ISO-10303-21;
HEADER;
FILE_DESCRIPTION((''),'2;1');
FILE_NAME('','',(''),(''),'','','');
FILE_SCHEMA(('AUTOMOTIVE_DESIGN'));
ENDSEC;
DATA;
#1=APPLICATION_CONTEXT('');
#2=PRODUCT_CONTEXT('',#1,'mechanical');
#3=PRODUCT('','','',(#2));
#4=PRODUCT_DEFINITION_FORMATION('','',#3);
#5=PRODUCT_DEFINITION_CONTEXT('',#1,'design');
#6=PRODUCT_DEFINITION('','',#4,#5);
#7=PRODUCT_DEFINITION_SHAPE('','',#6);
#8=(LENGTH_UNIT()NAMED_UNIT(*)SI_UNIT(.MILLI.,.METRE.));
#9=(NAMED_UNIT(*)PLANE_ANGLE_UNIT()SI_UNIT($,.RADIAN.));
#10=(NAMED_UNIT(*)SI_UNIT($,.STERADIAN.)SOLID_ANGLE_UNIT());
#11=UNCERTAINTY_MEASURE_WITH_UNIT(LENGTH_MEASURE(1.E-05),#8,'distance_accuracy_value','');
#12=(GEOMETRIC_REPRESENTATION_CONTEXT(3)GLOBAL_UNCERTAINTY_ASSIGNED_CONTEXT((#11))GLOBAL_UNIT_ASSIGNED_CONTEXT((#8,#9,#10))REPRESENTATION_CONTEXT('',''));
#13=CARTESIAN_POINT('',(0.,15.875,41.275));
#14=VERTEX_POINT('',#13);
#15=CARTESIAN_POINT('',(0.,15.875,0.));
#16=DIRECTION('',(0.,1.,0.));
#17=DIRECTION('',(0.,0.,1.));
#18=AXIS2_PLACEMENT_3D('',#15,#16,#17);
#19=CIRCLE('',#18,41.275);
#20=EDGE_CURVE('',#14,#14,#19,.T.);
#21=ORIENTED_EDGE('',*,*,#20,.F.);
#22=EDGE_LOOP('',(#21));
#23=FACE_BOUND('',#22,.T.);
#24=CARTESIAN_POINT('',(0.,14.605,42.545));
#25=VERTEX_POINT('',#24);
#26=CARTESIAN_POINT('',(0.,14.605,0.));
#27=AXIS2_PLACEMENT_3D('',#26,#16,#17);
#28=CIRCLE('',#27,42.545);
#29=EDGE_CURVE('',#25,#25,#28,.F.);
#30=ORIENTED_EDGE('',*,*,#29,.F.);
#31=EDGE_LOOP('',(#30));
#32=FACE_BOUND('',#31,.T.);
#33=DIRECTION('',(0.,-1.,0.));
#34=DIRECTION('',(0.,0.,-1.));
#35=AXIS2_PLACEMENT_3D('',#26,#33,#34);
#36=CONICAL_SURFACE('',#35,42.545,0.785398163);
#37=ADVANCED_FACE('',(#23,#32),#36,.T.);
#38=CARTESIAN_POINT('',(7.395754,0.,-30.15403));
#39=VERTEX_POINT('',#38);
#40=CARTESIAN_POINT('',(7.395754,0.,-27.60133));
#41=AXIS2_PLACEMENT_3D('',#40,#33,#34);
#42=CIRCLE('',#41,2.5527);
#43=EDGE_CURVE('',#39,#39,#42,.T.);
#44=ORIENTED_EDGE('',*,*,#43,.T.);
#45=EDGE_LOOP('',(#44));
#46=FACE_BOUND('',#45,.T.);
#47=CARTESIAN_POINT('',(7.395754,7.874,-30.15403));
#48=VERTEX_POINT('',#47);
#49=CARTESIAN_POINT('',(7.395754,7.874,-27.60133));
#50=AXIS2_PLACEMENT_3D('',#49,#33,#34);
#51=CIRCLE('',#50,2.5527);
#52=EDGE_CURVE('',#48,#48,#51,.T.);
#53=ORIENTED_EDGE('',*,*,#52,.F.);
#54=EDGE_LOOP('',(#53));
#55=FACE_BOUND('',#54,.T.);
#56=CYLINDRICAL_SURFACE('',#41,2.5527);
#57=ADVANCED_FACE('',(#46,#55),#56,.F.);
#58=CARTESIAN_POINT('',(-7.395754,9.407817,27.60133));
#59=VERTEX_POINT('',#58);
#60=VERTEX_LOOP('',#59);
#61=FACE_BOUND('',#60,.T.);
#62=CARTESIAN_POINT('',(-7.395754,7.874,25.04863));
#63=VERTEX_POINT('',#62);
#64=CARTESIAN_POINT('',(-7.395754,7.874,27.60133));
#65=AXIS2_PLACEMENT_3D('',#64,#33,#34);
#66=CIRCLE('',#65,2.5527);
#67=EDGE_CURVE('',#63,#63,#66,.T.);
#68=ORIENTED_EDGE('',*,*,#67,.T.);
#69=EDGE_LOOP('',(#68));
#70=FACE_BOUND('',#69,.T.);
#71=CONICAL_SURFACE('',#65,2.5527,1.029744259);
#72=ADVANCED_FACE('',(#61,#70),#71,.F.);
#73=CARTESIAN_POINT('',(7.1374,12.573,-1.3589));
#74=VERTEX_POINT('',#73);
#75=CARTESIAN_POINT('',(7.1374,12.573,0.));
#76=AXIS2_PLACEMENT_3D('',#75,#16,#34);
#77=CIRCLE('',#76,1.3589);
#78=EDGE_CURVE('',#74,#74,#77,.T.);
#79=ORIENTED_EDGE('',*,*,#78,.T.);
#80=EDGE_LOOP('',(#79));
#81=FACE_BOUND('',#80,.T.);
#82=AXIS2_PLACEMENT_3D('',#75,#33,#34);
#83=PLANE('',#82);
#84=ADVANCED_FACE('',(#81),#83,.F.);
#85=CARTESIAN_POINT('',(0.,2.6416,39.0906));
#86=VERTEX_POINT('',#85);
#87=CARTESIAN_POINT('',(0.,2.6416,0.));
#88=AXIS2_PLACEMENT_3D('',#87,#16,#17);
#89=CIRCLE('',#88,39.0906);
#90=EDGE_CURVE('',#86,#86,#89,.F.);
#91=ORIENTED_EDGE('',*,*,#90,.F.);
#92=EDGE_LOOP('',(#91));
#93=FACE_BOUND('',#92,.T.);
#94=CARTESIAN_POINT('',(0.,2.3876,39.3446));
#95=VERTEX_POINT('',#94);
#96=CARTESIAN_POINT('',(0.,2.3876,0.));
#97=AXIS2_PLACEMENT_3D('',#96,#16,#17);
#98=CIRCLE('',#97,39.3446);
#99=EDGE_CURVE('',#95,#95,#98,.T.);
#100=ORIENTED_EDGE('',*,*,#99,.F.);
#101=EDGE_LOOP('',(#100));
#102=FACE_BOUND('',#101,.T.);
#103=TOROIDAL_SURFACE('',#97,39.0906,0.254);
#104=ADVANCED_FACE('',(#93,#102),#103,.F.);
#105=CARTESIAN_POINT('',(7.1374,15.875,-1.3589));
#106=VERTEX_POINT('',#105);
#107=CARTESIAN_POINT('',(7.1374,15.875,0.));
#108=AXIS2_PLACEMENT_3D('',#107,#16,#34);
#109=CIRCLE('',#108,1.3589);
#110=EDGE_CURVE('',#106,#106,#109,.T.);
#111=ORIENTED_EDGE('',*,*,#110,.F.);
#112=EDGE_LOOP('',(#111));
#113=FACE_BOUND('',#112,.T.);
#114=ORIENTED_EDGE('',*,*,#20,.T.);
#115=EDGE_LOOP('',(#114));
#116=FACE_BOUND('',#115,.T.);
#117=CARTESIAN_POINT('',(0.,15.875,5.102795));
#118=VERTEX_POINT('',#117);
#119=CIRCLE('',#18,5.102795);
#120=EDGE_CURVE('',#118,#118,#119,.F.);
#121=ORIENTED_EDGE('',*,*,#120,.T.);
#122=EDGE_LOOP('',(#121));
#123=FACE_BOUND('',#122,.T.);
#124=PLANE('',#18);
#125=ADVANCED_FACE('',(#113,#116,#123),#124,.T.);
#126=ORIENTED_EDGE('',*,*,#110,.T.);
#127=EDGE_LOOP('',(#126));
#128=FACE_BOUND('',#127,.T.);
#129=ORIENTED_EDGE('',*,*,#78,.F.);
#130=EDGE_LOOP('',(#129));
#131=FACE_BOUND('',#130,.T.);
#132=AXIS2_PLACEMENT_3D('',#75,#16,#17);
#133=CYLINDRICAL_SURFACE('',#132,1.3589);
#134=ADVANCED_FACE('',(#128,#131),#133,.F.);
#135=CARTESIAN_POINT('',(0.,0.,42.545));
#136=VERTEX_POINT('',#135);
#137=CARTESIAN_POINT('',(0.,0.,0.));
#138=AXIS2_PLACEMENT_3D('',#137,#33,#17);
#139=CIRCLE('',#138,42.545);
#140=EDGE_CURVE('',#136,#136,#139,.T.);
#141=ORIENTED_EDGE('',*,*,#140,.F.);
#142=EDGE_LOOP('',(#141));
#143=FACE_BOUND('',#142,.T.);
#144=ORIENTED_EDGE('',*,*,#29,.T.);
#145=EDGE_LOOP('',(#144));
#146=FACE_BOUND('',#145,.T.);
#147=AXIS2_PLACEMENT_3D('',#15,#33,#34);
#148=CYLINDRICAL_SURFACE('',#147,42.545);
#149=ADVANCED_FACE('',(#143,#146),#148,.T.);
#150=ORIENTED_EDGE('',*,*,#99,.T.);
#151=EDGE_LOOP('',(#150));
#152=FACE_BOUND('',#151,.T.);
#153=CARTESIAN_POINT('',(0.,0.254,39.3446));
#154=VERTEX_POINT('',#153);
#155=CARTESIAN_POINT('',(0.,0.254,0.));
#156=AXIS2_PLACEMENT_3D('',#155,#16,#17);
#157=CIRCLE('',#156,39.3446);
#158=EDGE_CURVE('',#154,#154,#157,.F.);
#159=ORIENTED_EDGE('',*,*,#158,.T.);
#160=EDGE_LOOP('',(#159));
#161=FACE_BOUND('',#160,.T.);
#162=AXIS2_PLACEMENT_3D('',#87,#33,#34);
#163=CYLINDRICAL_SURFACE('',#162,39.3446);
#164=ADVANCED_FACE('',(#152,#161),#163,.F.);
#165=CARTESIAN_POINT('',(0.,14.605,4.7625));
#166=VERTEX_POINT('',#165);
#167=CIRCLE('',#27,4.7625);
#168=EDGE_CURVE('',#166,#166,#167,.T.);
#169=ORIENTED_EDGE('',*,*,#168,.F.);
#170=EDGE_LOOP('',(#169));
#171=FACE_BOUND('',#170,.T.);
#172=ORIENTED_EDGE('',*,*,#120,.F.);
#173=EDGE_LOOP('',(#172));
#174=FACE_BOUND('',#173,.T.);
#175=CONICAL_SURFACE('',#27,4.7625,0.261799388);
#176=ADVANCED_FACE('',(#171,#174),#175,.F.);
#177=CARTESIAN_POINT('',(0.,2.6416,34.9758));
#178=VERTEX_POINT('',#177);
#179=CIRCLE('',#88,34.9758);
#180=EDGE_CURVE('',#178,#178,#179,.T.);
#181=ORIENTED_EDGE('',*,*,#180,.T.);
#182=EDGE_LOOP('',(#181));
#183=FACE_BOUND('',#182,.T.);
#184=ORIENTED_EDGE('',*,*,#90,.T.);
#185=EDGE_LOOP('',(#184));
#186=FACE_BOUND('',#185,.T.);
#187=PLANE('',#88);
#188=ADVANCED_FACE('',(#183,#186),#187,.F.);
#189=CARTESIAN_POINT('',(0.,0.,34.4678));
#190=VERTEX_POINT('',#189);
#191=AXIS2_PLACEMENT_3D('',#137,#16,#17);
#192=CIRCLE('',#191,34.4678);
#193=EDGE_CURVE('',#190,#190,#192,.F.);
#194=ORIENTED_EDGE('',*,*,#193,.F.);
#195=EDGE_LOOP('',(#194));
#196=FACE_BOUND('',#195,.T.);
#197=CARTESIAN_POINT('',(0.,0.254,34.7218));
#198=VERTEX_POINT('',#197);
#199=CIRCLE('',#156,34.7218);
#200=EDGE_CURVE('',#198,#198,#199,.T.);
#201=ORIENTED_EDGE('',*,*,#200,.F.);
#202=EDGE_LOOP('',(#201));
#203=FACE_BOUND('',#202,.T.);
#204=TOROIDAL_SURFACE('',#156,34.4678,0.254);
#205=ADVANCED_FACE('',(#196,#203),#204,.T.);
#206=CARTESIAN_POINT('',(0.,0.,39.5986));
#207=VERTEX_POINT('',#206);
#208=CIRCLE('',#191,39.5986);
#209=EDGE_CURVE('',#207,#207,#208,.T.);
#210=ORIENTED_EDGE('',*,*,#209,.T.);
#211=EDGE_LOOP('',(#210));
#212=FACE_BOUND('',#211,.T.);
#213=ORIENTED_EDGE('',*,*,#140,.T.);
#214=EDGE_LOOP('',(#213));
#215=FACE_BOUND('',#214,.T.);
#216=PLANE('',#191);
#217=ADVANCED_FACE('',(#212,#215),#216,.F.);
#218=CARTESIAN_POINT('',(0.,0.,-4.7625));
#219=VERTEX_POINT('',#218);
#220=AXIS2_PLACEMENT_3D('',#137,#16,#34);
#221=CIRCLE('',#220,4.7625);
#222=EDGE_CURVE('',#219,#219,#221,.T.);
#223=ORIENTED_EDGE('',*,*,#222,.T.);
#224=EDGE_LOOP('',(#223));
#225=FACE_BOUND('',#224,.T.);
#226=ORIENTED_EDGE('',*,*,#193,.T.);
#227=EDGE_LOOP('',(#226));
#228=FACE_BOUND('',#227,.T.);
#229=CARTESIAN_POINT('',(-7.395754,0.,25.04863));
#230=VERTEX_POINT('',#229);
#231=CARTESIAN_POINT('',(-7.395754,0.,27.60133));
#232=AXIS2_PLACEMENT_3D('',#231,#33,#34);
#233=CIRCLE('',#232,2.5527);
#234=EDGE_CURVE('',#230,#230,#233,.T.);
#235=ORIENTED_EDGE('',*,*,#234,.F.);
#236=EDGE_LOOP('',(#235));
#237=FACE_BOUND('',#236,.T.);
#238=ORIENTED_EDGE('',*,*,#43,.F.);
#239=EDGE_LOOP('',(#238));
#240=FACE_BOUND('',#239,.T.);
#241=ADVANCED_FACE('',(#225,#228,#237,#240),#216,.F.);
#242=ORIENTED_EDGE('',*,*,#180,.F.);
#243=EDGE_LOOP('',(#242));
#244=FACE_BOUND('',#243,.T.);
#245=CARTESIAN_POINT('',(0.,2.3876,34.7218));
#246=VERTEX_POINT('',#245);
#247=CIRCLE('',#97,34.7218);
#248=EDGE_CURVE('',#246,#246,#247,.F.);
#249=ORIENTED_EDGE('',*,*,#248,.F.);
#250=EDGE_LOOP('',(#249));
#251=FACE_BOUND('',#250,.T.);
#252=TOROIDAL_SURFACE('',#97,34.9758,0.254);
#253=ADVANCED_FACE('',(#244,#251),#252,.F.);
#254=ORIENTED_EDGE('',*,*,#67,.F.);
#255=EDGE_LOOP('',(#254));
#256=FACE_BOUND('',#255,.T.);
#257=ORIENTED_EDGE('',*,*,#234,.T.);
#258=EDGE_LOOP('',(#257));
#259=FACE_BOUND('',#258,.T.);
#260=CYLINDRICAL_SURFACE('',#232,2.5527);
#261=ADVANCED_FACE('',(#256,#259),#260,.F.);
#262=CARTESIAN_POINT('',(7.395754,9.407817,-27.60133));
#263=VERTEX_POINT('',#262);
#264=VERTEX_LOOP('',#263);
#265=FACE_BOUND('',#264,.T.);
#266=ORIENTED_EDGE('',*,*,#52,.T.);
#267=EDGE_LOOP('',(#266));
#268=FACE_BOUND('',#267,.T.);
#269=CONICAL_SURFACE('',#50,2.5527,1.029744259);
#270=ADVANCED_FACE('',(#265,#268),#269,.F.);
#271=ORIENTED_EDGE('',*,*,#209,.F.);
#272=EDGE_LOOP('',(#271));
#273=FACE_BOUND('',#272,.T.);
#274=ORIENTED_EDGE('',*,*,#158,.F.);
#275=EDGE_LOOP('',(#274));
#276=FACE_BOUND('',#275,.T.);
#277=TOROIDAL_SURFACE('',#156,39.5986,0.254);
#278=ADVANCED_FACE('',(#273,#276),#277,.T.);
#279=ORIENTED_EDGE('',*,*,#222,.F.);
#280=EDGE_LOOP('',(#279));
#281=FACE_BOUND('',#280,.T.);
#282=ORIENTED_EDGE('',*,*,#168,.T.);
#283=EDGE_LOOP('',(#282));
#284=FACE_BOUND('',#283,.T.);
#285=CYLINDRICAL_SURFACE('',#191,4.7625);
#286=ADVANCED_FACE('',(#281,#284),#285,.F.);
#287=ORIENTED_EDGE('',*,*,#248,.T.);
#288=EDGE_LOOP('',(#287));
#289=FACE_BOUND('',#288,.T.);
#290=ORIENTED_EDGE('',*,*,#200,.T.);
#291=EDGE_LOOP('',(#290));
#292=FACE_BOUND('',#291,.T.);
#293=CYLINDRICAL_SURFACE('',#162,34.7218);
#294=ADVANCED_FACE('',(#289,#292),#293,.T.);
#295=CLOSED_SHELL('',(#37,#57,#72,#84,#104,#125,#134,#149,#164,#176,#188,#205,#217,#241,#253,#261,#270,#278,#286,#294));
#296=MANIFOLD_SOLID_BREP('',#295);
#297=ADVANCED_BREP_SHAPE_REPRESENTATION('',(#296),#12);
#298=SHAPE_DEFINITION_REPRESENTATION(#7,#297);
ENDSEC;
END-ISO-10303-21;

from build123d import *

# Parameters (mm, degrees)
SKETCH1_R                   = 42.545
BOSS_EXTRUDE1_DEPTH         = 15.875
SKETCH2_R                   = 39.3446
SKETCH2_R_2                 = 34.7218
GROOVE_232ORING_DEPTH       = 2.6416
F_1_4_20_TAPPED_HOLE1_D     = 5.1054
F_1_4_20_TAPPED_HOLE1_DEPTH = 7.874
F_1_4_20_TAPPED_HOLE1_TIP   = 1.533816902
SKETCH7_R                   = 4.7625
CUT_EXTRUDE2_DEPTH          = 16.875
SKETCH8_R                   = 1.3589
CUT_EXTRUDE3_DEPTH          = 3.302
CHAMFER1_SIZE               = 0.340295474
CHAMFER1_SIZE2              = 1.27
CHAMFER2_SIZE               = 1.27
FILLET1_R                   = 0.254


with BuildPart() as part:
    # Sketch1 → Boss-Extrude1 (new body)
    with BuildSketch(Plane.XZ):
        Circle(SKETCH1_R)
    extrude(amount=-BOSS_EXTRUDE1_DEPTH)

    # Sketch2 → Groove_232Oring (cut)
    with BuildSketch(Plane.XZ):
        Circle(SKETCH2_R)
        Circle(SKETCH2_R_2, mode=Mode.SUBTRACT)
    extrude(amount=-GROOVE_232ORING_DEPTH, mode=Mode.SUBTRACT)

    # 1/4-20 Tapped Hole1
    with Locations(Plane(origin=(0, 0, 0), x_dir=(-1, 0, 0), z_dir=(0, -1, 0))):
        with Locations((-7.395754214, 27.601330486), (7.395754214, -27.601330486)):
            Hole(F_1_4_20_TAPPED_HOLE1_D / 2, depth=F_1_4_20_TAPPED_HOLE1_DEPTH)
            with Locations((0, 0, -(F_1_4_20_TAPPED_HOLE1_DEPTH + F_1_4_20_TAPPED_HOLE1_TIP / 2))):  # 118° drill point
                Cone(0, F_1_4_20_TAPPED_HOLE1_D / 2, F_1_4_20_TAPPED_HOLE1_TIP, mode=Mode.SUBTRACT)

    # Sketch7 → Cut-Extrude2 (cut, through all)
    with BuildSketch(Plane(origin=(0, 15.875, 0), x_dir=(-1, 0, 0), z_dir=(0, 1, 0))):
        Circle(SKETCH7_R)
    extrude(amount=-CUT_EXTRUDE2_DEPTH, mode=Mode.SUBTRACT)

    # Sketch8 → Cut-Extrude3 (cut)
    with BuildSketch(Plane(origin=(0, 15.875, 0), x_dir=(-1, 0, 0), z_dir=(0, 1, 0))):
        with Locations((-7.1374, 0)):
            Circle(SKETCH8_R)
    extrude(amount=-CUT_EXTRUDE3_DEPTH, mode=Mode.SUBTRACT)

    # Chamfer1
    chamfer1_edges = [part.edges().sort_by_distance(p)[0] for p in [
        (4.7625, 15.875, 0),
    ]]
    chamfer1_side = [part.faces().sort_by_distance(p)[0] for p in [
        (-41.34164568, 15.875, 0),
    ]]
    chamfer(chamfer1_edges, length=CHAMFER1_SIZE, length2=CHAMFER1_SIZE2, reference=chamfer1_side[0])

    # Chamfer2
    chamfer2_edges = [part.edges().sort_by_distance(p)[0] for p in [
        (-42.545, 15.875, 0),
    ]]
    chamfer(chamfer2_edges, length=CHAMFER2_SIZE)

    # Fillet1
    fillet1_edges = [part.edges().sort_by_distance(p)[0] for p in [
        (-39.3446, 2.6416, 0),
        (-34.7218, 2.6416, 0),
        (-39.3446, 0, 0),
        (-34.7218, 0, 0),
    ]]
    fillet(fillet1_edges, radius=FILLET1_R)


solid = part.part
